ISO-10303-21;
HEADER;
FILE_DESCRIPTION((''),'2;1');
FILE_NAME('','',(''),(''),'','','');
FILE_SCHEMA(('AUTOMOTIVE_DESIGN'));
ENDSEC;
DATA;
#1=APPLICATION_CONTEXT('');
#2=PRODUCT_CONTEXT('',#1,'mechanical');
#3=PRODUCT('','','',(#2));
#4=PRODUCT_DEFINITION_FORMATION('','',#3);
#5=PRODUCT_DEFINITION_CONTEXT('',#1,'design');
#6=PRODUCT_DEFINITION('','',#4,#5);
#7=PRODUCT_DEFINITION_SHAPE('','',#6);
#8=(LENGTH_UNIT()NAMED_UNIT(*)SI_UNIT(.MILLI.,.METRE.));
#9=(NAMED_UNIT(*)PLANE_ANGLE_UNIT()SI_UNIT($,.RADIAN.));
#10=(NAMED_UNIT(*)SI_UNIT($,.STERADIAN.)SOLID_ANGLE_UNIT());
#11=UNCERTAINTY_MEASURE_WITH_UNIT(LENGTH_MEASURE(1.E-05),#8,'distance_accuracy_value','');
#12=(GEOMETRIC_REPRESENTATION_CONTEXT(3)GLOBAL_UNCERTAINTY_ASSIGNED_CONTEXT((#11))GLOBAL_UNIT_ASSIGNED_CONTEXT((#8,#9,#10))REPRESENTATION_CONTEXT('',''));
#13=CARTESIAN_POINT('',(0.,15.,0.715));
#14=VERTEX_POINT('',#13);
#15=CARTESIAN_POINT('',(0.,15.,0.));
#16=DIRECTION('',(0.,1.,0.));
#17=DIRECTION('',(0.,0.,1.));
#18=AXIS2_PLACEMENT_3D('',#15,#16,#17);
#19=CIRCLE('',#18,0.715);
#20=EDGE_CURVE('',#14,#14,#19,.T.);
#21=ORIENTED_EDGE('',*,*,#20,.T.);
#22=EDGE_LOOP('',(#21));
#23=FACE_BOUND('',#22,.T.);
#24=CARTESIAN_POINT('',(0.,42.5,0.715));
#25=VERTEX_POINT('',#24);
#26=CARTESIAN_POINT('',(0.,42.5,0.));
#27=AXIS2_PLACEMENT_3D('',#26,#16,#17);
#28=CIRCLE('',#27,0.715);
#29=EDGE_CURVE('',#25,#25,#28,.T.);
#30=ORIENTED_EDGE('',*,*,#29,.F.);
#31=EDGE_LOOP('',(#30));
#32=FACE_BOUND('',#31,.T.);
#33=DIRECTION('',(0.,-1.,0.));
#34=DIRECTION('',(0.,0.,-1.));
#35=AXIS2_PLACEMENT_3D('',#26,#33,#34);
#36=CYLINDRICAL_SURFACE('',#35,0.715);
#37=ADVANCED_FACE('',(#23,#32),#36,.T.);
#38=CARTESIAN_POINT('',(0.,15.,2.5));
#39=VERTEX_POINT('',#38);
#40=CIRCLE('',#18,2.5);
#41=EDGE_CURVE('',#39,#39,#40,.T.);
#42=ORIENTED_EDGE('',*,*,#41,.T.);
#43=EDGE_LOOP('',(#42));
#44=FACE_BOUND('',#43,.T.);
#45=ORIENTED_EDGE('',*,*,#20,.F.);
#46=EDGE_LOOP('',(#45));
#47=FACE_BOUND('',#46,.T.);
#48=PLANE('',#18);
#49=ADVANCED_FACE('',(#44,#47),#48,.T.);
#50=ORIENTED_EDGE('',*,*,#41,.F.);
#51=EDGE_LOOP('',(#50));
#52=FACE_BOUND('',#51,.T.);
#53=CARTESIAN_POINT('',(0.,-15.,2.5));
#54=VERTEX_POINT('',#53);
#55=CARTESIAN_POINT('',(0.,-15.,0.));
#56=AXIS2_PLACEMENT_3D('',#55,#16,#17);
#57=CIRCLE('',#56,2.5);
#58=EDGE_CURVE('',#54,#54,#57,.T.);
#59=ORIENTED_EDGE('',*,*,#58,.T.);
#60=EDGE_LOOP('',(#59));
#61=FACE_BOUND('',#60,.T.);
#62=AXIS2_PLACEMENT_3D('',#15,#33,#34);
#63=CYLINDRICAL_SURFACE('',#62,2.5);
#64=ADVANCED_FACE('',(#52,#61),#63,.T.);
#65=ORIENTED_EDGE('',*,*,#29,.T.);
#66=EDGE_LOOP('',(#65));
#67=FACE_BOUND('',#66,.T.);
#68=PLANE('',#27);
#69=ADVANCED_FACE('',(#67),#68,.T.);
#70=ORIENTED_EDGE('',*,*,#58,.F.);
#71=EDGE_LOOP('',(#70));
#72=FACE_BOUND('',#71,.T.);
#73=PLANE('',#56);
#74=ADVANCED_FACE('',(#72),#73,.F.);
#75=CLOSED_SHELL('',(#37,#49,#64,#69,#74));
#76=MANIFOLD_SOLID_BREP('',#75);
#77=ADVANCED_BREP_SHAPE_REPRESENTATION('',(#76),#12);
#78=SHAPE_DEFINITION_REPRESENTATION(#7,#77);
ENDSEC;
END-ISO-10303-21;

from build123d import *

# Parameters (mm, degrees)
SKETCH1_R           = 2.5
BOSS_EXTRUDE1_DEPTH = 15
SKETCH2_R           = 0.715
BOSS_EXTRUDE2_DEPTH = 27.5


with BuildPart() as part:
    # Sketch1 → Boss-Extrude1 (new, symmetric)
    with BuildSketch(Plane(origin=(0, 0, 0), x_dir=(1, 0, 0), z_dir=(0, 1, 0))):
        with Locations(Location((0, 0, 0), (0, 0, 270))):
            Circle(SKETCH1_R)
    extrude(amount=BOSS_EXTRUDE1_DEPTH, both=True)

    # Sketch2 → Boss-Extrude2 (add)
    with BuildSketch(Plane(origin=(0, 15, 0), x_dir=(1, 0, 0), z_dir=(0, 1, 0))):
        with Locations(Location((0, 0, 0), (0, 0, 270))):
            Circle(SKETCH2_R)
    extrude(amount=BOSS_EXTRUDE2_DEPTH)


solid = part.part
